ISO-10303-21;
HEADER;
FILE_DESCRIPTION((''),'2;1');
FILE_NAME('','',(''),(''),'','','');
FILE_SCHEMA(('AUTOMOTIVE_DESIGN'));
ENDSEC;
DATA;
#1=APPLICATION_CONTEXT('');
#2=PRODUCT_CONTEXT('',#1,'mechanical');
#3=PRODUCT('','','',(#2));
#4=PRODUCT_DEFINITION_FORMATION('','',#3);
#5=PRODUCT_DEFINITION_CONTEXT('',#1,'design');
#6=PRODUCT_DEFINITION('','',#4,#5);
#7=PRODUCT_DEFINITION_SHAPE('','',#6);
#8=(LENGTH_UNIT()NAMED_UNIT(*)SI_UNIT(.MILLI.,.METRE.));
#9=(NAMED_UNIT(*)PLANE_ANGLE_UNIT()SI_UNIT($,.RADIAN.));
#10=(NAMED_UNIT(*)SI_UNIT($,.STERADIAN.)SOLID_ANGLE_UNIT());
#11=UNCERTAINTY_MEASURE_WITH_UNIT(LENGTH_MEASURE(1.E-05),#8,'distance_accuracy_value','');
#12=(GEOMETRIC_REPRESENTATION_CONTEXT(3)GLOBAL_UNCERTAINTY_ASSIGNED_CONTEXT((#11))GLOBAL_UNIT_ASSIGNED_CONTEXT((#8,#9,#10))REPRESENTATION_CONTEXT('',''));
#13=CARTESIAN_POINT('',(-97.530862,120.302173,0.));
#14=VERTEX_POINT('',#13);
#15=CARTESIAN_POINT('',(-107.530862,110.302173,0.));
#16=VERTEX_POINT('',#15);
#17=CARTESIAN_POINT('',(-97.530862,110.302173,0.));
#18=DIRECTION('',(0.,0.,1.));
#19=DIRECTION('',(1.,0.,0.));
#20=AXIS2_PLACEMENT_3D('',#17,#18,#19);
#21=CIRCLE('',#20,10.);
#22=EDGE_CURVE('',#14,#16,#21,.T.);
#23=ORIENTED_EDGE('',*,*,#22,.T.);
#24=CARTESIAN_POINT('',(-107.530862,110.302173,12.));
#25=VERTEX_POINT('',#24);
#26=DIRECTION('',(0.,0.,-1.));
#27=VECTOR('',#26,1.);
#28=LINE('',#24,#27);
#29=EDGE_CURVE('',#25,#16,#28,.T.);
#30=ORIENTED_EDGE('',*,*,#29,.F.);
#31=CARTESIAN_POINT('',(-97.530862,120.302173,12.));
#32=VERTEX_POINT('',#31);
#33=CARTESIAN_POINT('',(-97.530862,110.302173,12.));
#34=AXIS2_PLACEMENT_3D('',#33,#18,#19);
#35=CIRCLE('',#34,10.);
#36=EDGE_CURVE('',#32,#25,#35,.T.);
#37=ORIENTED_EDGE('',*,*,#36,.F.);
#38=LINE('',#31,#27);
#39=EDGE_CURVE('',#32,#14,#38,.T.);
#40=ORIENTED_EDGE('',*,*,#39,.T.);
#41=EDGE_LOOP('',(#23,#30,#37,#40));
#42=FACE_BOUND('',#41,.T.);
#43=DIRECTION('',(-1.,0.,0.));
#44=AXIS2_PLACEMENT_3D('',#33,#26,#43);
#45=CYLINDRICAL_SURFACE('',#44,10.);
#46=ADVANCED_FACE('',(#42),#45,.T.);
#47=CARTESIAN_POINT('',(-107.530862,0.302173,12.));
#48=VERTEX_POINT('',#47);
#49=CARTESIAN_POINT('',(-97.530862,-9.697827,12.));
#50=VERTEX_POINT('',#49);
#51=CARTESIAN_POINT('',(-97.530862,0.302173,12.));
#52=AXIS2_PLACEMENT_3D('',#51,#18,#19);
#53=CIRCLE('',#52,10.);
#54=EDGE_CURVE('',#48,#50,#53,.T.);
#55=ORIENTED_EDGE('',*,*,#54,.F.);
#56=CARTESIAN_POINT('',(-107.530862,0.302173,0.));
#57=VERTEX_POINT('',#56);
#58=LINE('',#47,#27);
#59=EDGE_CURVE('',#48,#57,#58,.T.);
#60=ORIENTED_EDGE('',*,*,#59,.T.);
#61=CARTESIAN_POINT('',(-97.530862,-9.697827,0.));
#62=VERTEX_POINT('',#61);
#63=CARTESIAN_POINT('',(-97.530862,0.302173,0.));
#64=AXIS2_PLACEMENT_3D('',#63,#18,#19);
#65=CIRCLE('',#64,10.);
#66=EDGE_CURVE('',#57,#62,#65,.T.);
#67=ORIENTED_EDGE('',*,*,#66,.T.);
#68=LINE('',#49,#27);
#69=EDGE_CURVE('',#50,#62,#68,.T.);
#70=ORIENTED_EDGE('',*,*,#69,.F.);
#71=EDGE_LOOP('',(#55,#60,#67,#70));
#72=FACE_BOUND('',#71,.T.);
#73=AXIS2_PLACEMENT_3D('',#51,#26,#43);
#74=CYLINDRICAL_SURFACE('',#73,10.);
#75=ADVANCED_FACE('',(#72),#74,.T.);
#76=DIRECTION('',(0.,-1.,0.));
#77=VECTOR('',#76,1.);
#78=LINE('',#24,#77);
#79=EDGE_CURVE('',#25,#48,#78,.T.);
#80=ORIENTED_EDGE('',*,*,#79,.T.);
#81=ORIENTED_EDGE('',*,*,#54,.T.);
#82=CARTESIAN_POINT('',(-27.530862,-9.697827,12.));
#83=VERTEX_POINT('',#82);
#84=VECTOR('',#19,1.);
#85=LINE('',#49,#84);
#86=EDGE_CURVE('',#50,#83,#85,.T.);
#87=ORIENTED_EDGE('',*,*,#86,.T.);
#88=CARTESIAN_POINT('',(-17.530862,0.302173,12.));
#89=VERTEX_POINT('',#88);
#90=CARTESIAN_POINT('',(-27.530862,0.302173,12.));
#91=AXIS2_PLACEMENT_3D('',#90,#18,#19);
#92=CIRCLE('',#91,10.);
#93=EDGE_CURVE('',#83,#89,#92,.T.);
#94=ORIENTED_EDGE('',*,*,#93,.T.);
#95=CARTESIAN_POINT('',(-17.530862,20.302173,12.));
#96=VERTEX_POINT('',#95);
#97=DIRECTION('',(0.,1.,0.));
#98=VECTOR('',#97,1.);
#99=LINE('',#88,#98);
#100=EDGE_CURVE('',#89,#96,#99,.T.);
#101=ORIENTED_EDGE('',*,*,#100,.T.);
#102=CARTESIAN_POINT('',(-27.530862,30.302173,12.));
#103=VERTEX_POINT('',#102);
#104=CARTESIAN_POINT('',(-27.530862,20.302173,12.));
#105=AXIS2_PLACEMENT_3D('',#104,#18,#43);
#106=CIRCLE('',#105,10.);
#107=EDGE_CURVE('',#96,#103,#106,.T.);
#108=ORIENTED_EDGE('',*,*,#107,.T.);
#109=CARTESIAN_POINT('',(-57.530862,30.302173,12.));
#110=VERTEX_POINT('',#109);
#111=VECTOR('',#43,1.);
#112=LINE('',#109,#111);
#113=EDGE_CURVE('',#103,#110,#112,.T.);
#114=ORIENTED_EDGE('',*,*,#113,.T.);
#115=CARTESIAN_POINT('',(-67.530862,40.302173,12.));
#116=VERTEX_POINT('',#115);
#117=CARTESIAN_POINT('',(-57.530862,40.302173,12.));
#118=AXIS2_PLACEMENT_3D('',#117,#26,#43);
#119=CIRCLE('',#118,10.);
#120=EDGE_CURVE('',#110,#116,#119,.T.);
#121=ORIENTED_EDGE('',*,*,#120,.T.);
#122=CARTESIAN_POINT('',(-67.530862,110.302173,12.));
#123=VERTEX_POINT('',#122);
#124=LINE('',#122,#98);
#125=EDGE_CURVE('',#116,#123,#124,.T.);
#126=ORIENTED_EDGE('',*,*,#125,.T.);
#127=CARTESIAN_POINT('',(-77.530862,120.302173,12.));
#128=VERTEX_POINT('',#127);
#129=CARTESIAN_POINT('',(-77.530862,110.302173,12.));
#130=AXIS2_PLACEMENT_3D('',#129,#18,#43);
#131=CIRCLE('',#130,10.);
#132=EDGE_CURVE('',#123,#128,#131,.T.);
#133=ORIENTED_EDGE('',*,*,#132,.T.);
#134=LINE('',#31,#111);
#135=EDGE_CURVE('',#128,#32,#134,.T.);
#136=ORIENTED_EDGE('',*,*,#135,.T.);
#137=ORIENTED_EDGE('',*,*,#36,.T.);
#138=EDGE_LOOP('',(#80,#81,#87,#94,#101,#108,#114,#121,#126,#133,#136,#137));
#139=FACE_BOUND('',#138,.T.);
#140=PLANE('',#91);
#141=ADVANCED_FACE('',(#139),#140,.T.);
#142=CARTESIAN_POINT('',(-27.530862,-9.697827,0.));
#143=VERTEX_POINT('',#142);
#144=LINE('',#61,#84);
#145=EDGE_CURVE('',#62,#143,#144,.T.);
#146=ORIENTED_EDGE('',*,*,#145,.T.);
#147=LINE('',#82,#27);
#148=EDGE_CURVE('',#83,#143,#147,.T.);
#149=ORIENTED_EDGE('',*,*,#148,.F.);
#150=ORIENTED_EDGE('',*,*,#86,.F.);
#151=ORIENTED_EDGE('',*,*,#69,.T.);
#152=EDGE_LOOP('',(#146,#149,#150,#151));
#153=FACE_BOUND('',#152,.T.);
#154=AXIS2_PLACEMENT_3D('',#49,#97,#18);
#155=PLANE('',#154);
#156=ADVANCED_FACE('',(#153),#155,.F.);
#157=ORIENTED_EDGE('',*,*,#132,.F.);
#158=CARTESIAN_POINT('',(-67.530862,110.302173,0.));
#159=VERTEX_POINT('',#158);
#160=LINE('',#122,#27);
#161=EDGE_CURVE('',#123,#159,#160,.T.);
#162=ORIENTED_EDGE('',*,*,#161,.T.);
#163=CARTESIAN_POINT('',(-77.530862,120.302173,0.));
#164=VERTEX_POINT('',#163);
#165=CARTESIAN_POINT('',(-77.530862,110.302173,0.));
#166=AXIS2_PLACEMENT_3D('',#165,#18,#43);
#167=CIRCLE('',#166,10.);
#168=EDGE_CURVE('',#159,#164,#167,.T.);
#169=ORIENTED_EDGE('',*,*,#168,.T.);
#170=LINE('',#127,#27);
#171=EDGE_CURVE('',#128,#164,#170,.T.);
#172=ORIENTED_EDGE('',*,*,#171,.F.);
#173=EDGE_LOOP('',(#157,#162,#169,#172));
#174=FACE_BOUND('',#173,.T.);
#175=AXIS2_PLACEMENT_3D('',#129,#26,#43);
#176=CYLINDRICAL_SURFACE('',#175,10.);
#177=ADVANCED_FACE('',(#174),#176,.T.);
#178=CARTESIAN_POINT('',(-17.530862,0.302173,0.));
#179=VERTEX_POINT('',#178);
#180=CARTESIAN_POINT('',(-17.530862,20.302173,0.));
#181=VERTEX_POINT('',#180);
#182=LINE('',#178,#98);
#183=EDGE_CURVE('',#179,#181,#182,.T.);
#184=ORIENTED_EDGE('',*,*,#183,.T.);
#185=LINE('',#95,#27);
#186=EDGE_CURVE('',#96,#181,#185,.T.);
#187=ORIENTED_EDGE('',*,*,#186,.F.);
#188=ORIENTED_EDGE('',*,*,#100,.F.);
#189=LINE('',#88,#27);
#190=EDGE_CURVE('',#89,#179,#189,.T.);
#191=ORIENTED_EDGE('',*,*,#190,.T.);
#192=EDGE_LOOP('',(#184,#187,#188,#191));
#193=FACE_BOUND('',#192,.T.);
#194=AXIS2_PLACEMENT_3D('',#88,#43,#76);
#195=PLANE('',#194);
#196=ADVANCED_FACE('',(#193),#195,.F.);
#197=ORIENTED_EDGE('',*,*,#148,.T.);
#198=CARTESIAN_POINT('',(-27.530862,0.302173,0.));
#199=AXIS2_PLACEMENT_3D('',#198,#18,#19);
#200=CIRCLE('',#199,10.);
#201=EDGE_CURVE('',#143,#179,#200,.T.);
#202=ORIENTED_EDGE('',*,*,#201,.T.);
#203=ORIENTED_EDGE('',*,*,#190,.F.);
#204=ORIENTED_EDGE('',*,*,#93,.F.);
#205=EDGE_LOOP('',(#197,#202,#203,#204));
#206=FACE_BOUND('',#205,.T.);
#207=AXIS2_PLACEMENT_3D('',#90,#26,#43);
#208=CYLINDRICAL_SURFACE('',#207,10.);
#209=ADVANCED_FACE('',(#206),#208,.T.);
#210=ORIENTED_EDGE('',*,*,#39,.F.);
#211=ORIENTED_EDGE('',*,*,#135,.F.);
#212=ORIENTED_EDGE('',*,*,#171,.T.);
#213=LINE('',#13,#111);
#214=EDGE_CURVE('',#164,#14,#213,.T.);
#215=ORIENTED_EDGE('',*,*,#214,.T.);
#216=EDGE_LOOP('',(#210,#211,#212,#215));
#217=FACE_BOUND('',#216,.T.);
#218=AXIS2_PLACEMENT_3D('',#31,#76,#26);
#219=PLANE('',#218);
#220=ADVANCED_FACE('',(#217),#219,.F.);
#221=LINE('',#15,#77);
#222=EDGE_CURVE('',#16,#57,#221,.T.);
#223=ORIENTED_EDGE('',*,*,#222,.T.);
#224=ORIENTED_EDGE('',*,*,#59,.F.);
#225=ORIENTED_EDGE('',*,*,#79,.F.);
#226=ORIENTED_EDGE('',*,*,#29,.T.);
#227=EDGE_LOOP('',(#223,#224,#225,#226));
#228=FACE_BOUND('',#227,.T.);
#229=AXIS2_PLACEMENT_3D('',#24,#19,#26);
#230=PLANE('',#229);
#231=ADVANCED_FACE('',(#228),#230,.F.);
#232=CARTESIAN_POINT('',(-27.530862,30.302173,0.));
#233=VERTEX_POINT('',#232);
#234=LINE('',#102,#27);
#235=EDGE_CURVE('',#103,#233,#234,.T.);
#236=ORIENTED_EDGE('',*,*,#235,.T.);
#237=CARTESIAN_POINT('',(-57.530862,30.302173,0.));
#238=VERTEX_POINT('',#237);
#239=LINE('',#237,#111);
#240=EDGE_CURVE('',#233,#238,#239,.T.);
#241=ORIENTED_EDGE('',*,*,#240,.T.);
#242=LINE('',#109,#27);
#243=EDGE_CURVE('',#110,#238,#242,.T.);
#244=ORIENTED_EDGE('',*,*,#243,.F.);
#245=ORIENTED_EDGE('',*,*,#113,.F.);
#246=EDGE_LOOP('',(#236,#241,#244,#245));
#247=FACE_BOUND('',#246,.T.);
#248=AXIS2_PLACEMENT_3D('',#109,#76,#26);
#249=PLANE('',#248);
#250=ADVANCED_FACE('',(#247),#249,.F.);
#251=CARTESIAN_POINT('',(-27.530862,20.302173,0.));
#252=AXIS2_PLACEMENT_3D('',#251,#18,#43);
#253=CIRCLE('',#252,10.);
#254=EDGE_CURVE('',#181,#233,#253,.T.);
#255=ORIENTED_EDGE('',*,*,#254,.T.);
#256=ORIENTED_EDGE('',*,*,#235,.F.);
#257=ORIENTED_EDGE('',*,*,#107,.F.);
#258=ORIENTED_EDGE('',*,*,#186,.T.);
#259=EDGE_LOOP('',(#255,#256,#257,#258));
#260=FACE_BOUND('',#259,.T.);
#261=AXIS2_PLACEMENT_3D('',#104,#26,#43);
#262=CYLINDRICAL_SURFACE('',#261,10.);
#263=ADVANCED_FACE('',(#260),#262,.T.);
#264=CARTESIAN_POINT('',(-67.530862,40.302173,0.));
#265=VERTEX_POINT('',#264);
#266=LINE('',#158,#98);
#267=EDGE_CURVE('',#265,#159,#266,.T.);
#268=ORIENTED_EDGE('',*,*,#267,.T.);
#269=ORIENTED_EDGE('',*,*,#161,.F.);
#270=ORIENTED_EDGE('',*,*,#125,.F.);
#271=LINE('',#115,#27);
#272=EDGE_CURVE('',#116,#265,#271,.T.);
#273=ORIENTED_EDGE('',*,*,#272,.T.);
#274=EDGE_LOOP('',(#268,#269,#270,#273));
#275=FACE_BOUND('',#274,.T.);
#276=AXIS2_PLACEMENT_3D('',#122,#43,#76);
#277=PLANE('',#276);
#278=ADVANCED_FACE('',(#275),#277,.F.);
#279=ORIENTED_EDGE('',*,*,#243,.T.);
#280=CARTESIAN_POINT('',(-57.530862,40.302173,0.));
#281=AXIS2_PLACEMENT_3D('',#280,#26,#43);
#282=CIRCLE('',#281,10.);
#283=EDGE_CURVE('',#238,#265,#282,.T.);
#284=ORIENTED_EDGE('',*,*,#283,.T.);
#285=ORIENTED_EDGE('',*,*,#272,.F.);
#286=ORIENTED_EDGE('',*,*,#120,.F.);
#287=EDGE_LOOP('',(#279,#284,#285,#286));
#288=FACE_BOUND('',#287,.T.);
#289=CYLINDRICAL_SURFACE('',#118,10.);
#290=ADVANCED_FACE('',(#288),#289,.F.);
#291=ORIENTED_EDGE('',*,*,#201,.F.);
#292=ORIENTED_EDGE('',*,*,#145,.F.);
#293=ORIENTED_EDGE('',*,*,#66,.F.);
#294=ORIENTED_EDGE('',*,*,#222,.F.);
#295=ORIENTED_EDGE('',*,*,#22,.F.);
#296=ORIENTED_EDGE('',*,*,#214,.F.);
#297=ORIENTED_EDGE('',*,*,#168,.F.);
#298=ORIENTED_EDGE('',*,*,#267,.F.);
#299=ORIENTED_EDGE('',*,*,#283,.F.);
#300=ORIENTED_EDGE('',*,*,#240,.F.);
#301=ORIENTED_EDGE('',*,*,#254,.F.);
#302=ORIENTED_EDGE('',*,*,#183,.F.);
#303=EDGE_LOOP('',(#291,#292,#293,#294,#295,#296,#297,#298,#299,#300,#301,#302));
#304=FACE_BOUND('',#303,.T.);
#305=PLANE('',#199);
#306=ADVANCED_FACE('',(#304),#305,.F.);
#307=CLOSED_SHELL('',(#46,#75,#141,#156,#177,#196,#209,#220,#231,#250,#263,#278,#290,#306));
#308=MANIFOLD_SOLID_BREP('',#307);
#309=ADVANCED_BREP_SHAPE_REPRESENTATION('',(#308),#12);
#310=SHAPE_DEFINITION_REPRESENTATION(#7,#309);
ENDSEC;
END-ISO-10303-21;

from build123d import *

# Parameters (mm, degrees)
BOSS_EXTRUDE1_DEPTH = 12


with BuildPart() as part:
    # Sketch1 → Boss-Extrude1 (new body)
    with BuildSketch(Plane.XY):
        with BuildLine():
            Line((-107.530862422, 110.302172802), (-107.530862422, 0.302172802))
            ThreePointArc((-107.530862422, 0.302172802), (-104.601930234, -6.768895009), (-97.530862422, -9.697827198))
            Line((-97.530862422, -9.697827198), (-27.530862422, -9.697827198))
            ThreePointArc((-27.530862422, -9.697827198), (-20.45979461, -6.768895009), (-17.530862422, 0.302172802))
            Line((-17.530862422, 0.302172802), (-17.530862422, 20.302172802))
            ThreePointArc((-17.530862422, 20.302172802), (-20.45979461, 27.373240614), (-27.530862422, 30.302172802))
            Line((-27.530862422, 30.302172802), (-57.530862422, 30.302172802))
            ThreePointArc((-57.530862422, 30.302172802), (-64.601930234, 33.231104991), (-67.530862422, 40.302172802))
            Line((-67.530862422, 40.302172802), (-67.530862422, 110.302172802))
            ThreePointArc((-67.530862422, 110.302172802), (-70.45979461, 117.373240614), (-77.530862422, 120.302172802))
            Line((-77.530862422, 120.302172802), (-97.530862422, 120.302172802))
            ThreePointArc((-97.530862422, 120.302172802), (-104.601930234, 117.373240614), (-107.530862422, 110.302172802))
        make_face()
    extrude(amount=BOSS_EXTRUDE1_DEPTH)


solid = part.part
